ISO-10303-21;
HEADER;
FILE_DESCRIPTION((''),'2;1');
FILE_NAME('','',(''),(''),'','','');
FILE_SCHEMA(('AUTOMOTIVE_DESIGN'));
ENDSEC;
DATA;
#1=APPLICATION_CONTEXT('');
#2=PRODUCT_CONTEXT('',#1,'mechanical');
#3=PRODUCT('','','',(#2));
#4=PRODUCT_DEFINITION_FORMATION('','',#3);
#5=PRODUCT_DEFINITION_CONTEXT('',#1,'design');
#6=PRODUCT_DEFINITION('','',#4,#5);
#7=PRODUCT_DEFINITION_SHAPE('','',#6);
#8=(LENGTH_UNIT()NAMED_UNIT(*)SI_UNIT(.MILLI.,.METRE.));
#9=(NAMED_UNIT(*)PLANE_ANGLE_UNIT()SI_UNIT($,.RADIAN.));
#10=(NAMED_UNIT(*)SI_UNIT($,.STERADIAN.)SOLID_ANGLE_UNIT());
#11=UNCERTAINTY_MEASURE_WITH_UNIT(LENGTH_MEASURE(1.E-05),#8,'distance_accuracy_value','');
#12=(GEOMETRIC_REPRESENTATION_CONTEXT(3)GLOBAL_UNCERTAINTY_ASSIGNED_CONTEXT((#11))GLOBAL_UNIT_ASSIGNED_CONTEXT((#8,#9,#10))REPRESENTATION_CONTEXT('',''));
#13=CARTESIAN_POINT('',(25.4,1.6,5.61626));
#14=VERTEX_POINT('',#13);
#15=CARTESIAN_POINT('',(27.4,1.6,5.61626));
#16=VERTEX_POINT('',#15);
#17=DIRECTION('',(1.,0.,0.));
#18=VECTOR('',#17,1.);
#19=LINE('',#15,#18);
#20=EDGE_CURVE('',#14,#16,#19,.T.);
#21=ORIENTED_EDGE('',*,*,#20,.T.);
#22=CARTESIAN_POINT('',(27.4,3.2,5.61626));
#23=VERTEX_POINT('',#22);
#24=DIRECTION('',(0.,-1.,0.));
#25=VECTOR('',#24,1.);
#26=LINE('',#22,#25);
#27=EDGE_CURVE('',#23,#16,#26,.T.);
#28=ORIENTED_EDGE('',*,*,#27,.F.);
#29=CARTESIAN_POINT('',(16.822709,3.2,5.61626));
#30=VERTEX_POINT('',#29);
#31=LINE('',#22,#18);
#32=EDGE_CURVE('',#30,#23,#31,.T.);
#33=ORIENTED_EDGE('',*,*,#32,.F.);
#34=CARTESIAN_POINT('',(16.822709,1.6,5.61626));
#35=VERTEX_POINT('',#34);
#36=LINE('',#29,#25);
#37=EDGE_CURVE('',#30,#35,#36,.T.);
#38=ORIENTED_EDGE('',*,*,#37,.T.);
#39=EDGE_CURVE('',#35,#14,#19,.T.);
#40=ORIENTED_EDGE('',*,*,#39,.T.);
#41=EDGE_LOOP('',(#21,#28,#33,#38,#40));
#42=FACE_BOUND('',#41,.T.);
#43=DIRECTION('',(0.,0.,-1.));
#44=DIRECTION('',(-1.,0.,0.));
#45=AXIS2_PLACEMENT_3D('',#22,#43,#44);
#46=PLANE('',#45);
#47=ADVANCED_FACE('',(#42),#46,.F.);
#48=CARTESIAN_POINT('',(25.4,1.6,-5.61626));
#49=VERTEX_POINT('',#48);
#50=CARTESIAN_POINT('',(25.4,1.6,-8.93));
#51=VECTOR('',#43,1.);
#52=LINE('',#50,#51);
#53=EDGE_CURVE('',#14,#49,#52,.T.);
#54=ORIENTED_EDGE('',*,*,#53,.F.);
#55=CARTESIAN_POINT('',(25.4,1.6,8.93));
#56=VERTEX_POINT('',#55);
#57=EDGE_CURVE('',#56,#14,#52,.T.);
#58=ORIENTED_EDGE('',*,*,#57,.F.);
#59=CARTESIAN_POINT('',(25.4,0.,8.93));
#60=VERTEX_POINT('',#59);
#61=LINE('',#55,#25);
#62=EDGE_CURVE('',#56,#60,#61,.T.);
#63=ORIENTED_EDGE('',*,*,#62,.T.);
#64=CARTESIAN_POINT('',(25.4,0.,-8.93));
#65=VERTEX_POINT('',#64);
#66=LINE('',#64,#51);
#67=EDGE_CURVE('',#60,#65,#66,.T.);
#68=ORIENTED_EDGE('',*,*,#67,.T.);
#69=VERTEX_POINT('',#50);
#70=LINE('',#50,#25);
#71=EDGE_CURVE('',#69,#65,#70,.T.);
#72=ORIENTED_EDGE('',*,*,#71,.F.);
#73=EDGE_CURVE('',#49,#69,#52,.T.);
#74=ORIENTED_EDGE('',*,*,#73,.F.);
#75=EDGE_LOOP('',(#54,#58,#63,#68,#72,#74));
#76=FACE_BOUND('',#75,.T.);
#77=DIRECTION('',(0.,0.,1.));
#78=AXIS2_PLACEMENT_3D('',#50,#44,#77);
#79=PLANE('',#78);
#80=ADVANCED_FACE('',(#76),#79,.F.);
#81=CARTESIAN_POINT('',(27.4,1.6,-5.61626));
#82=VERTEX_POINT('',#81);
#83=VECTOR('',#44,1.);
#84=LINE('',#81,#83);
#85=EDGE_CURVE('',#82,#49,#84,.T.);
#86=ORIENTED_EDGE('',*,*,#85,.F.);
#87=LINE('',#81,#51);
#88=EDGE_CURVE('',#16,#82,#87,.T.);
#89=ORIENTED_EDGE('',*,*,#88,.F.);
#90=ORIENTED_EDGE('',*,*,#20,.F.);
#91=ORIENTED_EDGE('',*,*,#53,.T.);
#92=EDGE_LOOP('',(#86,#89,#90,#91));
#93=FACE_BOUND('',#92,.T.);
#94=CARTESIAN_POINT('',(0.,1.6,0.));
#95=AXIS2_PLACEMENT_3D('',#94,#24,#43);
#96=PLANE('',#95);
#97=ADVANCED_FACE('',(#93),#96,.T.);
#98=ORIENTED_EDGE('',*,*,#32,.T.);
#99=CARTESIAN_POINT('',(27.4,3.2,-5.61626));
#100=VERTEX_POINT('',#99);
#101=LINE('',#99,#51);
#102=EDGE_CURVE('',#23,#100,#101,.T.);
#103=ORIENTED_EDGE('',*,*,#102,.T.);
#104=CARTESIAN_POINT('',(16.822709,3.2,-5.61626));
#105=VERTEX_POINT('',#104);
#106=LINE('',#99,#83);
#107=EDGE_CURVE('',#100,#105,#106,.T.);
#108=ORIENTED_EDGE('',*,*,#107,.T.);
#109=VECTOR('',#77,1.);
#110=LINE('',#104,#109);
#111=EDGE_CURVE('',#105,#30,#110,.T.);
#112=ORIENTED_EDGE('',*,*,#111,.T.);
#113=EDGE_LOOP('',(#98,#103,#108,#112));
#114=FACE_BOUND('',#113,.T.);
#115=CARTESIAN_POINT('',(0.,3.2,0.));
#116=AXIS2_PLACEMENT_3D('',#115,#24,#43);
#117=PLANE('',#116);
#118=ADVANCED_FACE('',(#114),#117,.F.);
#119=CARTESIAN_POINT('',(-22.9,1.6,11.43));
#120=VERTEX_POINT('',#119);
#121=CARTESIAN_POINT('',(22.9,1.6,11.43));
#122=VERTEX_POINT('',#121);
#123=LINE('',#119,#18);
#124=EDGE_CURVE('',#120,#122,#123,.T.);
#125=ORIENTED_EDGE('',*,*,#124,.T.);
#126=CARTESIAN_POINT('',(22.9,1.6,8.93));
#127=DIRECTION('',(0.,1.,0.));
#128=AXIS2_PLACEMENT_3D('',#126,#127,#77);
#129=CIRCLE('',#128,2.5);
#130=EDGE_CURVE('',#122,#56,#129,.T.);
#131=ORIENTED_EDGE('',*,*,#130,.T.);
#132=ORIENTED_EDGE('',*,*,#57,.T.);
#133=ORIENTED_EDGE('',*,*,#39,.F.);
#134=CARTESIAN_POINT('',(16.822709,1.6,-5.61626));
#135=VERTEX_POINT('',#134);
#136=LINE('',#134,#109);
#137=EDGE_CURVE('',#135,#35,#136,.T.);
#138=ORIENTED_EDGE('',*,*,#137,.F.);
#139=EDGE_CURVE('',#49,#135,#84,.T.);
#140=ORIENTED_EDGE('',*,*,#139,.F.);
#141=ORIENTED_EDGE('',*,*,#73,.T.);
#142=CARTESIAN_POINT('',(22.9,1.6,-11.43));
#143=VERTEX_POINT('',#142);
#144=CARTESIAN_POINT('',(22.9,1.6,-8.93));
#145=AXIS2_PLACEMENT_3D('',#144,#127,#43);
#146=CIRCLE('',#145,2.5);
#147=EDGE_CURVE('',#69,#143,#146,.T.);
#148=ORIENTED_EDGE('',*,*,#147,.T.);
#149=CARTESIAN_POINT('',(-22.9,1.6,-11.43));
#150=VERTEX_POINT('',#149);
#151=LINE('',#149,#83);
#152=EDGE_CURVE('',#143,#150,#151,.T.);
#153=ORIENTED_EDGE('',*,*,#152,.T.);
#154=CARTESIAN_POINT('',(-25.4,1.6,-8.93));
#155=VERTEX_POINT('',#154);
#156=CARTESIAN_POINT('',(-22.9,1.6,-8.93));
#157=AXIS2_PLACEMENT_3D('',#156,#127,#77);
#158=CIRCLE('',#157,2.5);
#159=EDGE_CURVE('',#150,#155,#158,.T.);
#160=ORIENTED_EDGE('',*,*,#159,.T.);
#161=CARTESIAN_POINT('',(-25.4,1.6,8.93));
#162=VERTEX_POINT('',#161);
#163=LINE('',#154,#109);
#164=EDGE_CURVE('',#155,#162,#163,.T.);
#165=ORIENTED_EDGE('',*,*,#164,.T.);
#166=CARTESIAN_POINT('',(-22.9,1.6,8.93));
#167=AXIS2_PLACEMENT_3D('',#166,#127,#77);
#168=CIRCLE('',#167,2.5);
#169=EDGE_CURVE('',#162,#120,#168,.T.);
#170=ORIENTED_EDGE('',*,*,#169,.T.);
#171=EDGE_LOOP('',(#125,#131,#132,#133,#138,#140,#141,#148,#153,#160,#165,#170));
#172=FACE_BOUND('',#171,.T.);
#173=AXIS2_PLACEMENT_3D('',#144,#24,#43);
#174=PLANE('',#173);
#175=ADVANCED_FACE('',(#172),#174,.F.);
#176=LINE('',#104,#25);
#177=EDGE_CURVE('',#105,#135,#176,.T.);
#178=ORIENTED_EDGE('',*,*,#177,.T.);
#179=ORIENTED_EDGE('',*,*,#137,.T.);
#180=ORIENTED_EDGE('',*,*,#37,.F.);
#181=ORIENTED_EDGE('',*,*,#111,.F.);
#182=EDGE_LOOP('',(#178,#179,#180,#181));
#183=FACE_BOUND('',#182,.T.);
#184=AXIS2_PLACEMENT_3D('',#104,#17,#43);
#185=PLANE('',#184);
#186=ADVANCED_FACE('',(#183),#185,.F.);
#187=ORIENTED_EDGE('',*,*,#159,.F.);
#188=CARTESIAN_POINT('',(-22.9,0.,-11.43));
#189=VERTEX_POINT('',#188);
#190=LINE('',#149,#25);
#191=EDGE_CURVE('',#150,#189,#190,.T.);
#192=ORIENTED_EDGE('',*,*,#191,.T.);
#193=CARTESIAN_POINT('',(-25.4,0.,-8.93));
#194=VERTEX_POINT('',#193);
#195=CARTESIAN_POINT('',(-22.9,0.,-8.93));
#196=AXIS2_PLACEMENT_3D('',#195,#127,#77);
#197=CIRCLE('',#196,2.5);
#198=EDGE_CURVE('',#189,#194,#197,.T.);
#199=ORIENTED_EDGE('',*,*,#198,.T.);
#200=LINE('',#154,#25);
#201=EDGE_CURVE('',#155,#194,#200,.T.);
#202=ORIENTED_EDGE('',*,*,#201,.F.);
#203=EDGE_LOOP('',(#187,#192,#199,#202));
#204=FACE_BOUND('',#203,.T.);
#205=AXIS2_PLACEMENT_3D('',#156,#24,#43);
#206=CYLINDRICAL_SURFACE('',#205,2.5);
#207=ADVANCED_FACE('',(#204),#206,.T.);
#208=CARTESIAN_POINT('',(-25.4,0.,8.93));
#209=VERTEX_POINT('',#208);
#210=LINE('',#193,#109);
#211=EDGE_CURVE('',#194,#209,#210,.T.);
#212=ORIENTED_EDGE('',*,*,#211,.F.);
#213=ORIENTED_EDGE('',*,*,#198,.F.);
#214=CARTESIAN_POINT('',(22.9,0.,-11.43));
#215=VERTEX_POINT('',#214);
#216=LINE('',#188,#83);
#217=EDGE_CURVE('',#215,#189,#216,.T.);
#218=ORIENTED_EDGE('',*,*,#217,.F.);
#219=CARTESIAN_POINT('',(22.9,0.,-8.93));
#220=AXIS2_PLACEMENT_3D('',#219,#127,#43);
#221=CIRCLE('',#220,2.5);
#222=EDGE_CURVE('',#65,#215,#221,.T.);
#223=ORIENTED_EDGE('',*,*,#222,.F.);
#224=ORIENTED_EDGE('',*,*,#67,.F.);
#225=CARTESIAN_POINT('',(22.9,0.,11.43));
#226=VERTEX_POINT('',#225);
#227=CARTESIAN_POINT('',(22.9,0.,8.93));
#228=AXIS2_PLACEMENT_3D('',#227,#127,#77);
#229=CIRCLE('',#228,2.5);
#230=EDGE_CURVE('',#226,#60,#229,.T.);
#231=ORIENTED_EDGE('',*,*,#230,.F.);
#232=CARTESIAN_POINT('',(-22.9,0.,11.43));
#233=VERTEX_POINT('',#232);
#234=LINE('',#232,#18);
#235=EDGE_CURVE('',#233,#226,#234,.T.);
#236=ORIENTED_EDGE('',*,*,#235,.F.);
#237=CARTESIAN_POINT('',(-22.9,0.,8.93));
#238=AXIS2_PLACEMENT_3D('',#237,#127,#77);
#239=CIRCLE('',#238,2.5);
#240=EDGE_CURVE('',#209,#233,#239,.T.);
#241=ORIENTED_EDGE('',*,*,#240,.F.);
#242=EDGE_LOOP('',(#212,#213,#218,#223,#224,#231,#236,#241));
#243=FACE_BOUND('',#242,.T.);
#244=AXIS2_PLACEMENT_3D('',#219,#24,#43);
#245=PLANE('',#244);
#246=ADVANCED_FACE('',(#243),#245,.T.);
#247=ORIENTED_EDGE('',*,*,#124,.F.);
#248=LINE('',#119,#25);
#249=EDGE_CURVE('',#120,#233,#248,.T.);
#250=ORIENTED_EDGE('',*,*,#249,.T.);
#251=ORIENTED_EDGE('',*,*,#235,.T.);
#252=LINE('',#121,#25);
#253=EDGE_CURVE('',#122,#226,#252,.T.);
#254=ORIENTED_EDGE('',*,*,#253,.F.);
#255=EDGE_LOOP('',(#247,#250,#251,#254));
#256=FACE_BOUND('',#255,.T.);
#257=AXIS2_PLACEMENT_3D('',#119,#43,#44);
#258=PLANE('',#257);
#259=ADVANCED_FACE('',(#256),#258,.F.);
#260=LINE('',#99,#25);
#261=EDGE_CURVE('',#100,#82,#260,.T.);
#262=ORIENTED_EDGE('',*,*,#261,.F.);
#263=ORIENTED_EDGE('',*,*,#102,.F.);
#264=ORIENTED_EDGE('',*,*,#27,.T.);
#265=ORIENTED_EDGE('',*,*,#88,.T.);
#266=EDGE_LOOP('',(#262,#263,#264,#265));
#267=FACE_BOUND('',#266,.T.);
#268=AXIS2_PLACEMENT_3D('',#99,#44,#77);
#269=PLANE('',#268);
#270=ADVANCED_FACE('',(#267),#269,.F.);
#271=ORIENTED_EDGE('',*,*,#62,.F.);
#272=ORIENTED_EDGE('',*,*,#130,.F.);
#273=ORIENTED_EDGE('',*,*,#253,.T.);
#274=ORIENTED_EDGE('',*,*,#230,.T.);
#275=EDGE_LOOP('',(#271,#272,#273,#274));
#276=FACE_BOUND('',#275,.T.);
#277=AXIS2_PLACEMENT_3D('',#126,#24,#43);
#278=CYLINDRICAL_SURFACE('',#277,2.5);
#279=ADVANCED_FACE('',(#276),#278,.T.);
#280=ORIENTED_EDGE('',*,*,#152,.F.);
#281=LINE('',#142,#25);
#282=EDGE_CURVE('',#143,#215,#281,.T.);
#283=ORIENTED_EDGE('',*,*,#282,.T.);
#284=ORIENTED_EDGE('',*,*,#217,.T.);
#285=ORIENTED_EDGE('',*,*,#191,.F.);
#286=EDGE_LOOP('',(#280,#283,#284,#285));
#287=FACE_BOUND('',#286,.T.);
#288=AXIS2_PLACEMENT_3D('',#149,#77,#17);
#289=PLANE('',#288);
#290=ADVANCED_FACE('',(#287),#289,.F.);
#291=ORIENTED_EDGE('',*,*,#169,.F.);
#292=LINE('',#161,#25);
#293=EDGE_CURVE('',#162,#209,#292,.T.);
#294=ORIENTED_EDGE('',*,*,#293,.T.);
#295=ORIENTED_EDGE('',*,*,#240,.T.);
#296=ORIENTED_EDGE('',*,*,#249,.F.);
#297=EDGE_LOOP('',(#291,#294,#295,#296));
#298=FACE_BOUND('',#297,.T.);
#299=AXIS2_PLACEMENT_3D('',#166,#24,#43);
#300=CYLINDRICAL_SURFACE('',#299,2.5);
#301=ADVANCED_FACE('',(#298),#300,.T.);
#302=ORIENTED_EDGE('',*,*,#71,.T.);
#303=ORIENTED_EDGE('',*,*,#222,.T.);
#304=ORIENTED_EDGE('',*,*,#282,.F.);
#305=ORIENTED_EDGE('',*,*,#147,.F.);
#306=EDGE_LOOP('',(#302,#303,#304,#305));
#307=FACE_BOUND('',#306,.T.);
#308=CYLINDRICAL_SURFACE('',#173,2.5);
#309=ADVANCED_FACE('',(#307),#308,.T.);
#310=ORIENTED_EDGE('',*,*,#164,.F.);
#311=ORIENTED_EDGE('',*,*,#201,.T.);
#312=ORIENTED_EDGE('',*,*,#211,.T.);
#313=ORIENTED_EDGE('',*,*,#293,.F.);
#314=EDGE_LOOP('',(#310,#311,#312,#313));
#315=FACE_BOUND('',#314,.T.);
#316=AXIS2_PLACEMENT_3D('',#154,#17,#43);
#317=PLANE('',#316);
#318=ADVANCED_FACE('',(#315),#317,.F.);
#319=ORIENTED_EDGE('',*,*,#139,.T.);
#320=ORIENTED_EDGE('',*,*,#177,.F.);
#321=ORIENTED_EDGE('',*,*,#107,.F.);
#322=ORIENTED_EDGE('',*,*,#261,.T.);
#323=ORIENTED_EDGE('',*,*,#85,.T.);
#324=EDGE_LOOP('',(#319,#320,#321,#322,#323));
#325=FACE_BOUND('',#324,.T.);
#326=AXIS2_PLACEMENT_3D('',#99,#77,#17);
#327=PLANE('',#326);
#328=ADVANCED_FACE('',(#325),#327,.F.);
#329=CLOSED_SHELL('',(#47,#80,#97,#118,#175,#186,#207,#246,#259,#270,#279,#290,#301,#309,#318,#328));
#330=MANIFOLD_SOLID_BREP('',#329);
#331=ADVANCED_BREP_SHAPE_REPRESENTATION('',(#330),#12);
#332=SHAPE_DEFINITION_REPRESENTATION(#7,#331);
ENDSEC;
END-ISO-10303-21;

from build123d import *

# Parameters (mm, degrees)
BOSS_EXTRUDE1_DEPTH = 1.6
SKETCH2_W           = 10.577290559
SKETCH2_H           = 11.232520948
BOSS_EXTRUDE2_DEPTH = 1.6


with BuildPart() as part:
    # Sketch1 → Boss-Extrude1 (new body)
    with BuildSketch(Plane(origin=(0, 0, 0), x_dir=(1, 0, 0), z_dir=(0, 1, 0))):
        with BuildLine():
            Line((-22.9, 11.43), (22.9, 11.43))
            ThreePointArc((22.9, 11.43), (24.667766953, 10.697766953), (25.4, 8.93))
            Line((25.4, 8.93), (25.4, -8.93))
            ThreePointArc((25.4, -8.93), (24.667766953, -10.697766953), (22.9, -11.43))
            Line((22.9, -11.43), (-22.9, -11.43))
            ThreePointArc((-22.9, -11.43), (-24.667766953, -10.697766953), (-25.4, -8.93))
            Line((-25.4, -8.93), (-25.4, 8.93))
            ThreePointArc((-25.4, 8.93), (-24.667766953, 10.697766953), (-22.9, 11.43))
        make_face()
    extrude(amount=BOSS_EXTRUDE1_DEPTH)

    # Sketch2 → Boss-Extrude2 (add)
    with BuildSketch(Plane(origin=(0, 1.6, 0), x_dir=(1, 0, 0), z_dir=(0, 1, 0))):
        with Locations((22.111354721, 0)):
            Rectangle(SKETCH2_W, SKETCH2_H)
    extrude(amount=BOSS_EXTRUDE2_DEPTH)


solid = part.part
